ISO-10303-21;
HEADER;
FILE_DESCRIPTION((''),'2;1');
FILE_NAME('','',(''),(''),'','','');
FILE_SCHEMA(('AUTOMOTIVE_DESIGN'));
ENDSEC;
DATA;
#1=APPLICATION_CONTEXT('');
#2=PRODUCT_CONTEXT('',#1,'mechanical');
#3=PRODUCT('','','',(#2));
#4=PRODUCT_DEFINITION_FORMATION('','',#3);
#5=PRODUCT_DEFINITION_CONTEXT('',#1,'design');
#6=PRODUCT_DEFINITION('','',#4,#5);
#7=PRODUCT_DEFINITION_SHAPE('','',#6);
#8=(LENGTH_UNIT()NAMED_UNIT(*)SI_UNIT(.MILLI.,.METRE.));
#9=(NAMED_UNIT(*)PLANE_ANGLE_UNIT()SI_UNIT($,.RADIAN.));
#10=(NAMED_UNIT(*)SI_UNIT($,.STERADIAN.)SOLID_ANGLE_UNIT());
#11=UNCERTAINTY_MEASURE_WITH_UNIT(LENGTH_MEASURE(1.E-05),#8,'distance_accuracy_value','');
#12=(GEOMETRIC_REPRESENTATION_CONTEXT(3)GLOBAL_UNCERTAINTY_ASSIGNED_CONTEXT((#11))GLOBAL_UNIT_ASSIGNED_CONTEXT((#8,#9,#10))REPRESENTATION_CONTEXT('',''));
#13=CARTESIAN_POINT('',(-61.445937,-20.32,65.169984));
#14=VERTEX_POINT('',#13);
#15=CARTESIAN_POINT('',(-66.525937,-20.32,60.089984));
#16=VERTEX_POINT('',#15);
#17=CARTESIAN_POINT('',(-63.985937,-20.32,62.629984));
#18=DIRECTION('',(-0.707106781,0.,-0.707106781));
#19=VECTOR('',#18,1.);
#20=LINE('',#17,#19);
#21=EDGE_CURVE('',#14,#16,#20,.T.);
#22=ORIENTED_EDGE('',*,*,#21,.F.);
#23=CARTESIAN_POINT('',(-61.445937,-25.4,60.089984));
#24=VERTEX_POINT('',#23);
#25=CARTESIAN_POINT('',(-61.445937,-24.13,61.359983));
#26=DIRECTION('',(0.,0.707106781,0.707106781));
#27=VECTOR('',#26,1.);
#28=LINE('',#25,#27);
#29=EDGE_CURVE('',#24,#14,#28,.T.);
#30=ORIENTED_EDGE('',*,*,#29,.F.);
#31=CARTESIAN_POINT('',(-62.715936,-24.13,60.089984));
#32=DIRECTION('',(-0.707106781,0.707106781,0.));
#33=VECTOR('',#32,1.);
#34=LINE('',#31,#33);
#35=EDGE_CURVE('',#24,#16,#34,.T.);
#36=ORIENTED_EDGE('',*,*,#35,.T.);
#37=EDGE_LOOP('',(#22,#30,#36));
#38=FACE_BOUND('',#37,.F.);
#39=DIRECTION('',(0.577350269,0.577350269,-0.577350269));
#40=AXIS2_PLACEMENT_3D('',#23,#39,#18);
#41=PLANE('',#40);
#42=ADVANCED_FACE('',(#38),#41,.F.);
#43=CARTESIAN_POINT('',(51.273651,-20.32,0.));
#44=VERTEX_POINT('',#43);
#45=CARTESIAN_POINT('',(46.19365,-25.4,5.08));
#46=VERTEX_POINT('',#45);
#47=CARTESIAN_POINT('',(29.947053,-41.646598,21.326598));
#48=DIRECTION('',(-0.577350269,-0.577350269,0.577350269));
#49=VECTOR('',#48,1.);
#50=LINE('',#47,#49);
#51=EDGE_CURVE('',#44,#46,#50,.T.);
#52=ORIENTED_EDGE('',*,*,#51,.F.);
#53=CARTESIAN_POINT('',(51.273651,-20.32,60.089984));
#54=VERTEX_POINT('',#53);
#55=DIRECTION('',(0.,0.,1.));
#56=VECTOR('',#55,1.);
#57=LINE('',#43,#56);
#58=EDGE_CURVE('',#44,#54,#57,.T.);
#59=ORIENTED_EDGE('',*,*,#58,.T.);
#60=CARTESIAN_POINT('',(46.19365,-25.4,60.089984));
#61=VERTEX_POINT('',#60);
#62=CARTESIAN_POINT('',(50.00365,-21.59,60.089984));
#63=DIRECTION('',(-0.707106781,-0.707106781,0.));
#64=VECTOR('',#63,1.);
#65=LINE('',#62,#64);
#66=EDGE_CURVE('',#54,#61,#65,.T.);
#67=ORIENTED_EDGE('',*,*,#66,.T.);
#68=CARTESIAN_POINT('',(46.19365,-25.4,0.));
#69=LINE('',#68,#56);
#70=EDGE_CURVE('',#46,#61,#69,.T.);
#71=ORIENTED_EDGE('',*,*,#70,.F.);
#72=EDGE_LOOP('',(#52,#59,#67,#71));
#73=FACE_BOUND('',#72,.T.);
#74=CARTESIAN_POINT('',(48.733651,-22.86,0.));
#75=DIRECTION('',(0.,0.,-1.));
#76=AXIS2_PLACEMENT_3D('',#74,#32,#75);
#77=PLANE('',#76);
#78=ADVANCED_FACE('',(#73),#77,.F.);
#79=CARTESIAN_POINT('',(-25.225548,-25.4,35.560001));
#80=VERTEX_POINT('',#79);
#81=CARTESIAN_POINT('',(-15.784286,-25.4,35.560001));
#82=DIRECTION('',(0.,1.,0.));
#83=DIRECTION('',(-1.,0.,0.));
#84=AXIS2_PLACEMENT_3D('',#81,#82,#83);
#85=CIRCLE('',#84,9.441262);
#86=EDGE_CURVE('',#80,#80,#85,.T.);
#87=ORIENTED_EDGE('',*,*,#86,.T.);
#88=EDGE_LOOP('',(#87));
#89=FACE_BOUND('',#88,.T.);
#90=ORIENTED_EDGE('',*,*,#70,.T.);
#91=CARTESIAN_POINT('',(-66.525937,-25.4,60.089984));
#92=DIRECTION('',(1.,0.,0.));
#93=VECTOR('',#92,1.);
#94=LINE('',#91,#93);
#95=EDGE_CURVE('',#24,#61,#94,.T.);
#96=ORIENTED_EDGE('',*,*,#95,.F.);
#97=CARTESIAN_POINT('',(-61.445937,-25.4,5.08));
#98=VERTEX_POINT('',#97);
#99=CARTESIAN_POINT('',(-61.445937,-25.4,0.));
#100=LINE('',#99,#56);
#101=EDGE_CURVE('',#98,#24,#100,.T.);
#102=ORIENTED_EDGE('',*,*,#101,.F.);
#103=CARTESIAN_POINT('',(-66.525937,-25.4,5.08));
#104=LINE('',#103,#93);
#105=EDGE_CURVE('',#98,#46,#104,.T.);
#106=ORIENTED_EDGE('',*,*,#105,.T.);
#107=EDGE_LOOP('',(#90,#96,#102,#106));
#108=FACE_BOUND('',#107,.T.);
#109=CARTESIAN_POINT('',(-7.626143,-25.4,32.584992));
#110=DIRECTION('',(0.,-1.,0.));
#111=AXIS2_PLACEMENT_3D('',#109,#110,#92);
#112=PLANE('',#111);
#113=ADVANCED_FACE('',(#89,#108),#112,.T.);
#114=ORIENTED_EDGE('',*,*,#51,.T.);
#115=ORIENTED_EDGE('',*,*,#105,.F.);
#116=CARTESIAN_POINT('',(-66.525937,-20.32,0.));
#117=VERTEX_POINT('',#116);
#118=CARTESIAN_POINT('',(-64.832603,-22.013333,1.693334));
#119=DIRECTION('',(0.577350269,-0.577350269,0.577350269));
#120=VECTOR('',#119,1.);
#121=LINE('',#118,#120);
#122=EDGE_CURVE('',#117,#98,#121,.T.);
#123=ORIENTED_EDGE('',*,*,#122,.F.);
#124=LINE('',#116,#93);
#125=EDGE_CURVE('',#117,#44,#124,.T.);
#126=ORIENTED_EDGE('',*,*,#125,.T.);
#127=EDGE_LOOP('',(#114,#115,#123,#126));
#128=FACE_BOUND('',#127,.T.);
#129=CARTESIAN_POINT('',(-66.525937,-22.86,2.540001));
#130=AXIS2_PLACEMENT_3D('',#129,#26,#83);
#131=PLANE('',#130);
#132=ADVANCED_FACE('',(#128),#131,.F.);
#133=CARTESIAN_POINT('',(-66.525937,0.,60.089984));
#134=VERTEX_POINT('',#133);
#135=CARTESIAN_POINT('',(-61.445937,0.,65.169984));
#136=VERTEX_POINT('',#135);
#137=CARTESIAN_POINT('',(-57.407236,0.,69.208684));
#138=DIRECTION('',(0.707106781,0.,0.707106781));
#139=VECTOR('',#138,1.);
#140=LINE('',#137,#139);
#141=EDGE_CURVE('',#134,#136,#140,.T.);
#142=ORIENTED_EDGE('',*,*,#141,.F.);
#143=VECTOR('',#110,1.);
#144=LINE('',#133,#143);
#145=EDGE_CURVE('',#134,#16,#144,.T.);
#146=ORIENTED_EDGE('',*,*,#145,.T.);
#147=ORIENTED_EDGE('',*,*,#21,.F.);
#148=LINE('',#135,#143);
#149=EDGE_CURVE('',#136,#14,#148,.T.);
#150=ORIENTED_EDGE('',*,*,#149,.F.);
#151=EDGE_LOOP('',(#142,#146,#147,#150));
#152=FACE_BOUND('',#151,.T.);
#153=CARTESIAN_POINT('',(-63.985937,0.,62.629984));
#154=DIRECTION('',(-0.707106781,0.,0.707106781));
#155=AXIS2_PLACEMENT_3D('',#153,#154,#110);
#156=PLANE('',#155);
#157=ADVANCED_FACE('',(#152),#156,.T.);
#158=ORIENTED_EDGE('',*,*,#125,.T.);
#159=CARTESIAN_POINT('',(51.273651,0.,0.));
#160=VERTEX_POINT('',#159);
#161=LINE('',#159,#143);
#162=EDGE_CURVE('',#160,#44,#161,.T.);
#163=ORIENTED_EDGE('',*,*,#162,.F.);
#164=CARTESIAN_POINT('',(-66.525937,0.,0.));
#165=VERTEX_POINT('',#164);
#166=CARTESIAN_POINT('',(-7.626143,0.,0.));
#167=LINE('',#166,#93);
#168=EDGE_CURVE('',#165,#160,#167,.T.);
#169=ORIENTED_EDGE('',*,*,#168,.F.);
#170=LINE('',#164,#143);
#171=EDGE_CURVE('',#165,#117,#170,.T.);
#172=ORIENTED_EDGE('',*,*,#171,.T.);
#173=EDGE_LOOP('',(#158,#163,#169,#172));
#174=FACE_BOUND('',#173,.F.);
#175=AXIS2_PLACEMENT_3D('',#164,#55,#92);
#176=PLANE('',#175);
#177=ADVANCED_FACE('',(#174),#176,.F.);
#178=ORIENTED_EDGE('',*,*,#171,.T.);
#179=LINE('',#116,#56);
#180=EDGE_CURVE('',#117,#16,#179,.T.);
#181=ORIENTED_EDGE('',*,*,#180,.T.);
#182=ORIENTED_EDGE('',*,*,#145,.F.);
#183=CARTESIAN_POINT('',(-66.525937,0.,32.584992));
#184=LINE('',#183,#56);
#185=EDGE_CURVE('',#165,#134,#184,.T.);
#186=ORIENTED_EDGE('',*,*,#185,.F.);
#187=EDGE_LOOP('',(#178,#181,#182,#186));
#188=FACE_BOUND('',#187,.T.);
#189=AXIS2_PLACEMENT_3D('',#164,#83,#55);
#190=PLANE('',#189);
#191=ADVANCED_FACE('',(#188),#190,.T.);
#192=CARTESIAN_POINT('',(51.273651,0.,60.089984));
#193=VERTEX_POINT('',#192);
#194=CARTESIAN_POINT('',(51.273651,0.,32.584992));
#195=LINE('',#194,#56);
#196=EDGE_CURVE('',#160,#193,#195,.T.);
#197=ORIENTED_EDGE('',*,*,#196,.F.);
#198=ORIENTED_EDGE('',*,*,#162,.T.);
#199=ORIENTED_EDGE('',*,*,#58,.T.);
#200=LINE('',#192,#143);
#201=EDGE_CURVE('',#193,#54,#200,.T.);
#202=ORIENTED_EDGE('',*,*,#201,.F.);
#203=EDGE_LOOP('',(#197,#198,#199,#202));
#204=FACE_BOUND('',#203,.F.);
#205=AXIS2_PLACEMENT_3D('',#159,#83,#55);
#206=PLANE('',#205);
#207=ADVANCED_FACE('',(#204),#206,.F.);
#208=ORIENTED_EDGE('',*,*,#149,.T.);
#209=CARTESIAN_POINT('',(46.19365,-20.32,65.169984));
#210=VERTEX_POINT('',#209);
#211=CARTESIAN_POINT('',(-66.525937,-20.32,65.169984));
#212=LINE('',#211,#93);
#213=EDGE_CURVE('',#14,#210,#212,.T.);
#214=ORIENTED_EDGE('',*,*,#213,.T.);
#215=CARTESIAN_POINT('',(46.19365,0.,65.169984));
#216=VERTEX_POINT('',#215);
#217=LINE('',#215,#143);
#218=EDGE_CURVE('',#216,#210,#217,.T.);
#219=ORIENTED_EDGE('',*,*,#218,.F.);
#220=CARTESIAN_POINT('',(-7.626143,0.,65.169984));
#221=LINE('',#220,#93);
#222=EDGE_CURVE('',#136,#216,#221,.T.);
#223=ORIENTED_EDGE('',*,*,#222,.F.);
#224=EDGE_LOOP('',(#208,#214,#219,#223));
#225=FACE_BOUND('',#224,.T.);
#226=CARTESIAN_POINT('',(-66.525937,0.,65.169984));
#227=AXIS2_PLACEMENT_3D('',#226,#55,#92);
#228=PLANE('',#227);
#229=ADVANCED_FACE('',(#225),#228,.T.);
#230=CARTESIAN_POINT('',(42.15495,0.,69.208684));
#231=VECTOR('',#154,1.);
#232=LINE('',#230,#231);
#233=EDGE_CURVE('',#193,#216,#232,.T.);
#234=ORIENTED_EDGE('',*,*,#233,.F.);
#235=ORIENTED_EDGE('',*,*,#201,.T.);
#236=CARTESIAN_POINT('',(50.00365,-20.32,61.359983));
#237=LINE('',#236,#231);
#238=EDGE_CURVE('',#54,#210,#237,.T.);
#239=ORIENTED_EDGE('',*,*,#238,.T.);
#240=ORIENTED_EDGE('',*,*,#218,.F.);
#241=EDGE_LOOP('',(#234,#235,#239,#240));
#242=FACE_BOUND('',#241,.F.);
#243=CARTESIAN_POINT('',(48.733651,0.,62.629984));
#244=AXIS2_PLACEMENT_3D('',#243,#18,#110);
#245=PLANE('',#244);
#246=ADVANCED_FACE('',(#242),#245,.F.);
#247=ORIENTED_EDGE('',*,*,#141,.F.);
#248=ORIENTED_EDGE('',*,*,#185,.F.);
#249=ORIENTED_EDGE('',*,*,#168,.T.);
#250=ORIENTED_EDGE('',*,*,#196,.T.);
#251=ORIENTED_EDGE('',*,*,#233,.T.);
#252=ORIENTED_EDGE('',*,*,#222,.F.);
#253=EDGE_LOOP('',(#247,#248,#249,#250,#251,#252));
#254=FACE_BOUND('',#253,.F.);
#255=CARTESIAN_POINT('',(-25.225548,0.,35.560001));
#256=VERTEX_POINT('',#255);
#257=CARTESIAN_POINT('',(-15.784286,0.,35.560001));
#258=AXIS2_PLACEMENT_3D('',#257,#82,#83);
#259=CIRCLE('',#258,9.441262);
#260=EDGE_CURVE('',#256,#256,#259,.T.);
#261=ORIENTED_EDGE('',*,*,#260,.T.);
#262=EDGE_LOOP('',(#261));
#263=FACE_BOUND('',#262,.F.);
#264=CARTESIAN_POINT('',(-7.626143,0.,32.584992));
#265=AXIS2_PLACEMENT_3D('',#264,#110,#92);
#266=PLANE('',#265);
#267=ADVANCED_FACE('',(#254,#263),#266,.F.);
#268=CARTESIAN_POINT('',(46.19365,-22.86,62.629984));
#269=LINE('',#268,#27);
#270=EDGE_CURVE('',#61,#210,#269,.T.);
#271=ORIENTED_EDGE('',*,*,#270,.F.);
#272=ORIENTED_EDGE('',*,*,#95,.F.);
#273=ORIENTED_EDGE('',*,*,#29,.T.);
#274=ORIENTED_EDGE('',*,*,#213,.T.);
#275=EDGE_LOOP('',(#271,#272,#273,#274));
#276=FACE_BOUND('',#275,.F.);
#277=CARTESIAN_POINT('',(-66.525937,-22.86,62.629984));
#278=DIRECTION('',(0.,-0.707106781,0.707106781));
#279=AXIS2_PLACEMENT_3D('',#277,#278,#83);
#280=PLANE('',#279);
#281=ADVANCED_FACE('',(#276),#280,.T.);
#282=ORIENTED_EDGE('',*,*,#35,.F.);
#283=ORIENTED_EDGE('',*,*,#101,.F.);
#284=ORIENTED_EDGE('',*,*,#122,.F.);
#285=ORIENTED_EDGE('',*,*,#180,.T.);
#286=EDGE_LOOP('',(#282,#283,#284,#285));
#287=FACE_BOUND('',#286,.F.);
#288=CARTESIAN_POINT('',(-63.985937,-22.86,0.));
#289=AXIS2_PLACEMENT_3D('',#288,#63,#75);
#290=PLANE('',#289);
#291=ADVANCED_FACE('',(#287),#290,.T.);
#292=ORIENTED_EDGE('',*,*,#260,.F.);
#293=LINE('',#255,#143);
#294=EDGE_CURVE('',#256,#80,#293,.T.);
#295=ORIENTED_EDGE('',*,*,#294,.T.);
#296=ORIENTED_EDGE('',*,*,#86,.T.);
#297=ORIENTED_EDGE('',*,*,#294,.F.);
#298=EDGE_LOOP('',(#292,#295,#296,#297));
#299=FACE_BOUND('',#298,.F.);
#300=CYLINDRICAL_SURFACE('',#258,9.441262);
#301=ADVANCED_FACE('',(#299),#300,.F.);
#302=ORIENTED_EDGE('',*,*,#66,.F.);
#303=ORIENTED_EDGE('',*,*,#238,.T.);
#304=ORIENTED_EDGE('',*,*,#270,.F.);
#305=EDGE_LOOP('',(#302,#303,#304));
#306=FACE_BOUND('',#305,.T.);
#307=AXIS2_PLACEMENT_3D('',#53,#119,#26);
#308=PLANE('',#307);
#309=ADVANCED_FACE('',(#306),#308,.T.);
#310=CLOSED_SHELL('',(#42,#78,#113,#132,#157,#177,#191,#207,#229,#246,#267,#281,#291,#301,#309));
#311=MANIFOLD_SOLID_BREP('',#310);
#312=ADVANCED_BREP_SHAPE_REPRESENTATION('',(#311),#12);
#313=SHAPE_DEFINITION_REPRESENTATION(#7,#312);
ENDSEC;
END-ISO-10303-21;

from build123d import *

# Parameters (mm, degrees)
F0_W     = 117.799587
F0_H     = 65.169983
F1_DEPTH = 25.4
F2_SIZE  = 5.08
F3_R     = 9.441262
F4_DEPTH = 25.401


with BuildPart() as f1:
    # F0 (on Front) → F1 (new body)
    with BuildSketch(Plane.XZ):
        with Locations((-7.626143, 32.584992)):
            Rectangle(F0_W, F0_H)
    extrude(amount=F1_DEPTH)

    # F2
    f2_edges = [f1.edges().sort_by_distance(p)[0] for p in [
        (-66.525936, -12.7, 65.169983),
        (-7.626142, -25.4, 65.169983),
        (-66.525936, -25.4, 32.584991),
        (-7.626142, -25.4, 0),
        (51.273651, -25.4, 32.584991),
        (51.273651, -12.7, 65.169983),
    ]]
    chamfer(f2_edges, length=F2_SIZE)

    # F3 (on face) → F4 (cut, through all)
    with BuildSketch(Plane(origin=(0, 0, 0), x_dir=(-1, 0, 0), z_dir=(0, 1, 0))):
        with Locations((15.784286, 35.560001)):
            Circle(F3_R)
    extrude(amount=-F4_DEPTH, mode=Mode.SUBTRACT)


solid = f1.part
